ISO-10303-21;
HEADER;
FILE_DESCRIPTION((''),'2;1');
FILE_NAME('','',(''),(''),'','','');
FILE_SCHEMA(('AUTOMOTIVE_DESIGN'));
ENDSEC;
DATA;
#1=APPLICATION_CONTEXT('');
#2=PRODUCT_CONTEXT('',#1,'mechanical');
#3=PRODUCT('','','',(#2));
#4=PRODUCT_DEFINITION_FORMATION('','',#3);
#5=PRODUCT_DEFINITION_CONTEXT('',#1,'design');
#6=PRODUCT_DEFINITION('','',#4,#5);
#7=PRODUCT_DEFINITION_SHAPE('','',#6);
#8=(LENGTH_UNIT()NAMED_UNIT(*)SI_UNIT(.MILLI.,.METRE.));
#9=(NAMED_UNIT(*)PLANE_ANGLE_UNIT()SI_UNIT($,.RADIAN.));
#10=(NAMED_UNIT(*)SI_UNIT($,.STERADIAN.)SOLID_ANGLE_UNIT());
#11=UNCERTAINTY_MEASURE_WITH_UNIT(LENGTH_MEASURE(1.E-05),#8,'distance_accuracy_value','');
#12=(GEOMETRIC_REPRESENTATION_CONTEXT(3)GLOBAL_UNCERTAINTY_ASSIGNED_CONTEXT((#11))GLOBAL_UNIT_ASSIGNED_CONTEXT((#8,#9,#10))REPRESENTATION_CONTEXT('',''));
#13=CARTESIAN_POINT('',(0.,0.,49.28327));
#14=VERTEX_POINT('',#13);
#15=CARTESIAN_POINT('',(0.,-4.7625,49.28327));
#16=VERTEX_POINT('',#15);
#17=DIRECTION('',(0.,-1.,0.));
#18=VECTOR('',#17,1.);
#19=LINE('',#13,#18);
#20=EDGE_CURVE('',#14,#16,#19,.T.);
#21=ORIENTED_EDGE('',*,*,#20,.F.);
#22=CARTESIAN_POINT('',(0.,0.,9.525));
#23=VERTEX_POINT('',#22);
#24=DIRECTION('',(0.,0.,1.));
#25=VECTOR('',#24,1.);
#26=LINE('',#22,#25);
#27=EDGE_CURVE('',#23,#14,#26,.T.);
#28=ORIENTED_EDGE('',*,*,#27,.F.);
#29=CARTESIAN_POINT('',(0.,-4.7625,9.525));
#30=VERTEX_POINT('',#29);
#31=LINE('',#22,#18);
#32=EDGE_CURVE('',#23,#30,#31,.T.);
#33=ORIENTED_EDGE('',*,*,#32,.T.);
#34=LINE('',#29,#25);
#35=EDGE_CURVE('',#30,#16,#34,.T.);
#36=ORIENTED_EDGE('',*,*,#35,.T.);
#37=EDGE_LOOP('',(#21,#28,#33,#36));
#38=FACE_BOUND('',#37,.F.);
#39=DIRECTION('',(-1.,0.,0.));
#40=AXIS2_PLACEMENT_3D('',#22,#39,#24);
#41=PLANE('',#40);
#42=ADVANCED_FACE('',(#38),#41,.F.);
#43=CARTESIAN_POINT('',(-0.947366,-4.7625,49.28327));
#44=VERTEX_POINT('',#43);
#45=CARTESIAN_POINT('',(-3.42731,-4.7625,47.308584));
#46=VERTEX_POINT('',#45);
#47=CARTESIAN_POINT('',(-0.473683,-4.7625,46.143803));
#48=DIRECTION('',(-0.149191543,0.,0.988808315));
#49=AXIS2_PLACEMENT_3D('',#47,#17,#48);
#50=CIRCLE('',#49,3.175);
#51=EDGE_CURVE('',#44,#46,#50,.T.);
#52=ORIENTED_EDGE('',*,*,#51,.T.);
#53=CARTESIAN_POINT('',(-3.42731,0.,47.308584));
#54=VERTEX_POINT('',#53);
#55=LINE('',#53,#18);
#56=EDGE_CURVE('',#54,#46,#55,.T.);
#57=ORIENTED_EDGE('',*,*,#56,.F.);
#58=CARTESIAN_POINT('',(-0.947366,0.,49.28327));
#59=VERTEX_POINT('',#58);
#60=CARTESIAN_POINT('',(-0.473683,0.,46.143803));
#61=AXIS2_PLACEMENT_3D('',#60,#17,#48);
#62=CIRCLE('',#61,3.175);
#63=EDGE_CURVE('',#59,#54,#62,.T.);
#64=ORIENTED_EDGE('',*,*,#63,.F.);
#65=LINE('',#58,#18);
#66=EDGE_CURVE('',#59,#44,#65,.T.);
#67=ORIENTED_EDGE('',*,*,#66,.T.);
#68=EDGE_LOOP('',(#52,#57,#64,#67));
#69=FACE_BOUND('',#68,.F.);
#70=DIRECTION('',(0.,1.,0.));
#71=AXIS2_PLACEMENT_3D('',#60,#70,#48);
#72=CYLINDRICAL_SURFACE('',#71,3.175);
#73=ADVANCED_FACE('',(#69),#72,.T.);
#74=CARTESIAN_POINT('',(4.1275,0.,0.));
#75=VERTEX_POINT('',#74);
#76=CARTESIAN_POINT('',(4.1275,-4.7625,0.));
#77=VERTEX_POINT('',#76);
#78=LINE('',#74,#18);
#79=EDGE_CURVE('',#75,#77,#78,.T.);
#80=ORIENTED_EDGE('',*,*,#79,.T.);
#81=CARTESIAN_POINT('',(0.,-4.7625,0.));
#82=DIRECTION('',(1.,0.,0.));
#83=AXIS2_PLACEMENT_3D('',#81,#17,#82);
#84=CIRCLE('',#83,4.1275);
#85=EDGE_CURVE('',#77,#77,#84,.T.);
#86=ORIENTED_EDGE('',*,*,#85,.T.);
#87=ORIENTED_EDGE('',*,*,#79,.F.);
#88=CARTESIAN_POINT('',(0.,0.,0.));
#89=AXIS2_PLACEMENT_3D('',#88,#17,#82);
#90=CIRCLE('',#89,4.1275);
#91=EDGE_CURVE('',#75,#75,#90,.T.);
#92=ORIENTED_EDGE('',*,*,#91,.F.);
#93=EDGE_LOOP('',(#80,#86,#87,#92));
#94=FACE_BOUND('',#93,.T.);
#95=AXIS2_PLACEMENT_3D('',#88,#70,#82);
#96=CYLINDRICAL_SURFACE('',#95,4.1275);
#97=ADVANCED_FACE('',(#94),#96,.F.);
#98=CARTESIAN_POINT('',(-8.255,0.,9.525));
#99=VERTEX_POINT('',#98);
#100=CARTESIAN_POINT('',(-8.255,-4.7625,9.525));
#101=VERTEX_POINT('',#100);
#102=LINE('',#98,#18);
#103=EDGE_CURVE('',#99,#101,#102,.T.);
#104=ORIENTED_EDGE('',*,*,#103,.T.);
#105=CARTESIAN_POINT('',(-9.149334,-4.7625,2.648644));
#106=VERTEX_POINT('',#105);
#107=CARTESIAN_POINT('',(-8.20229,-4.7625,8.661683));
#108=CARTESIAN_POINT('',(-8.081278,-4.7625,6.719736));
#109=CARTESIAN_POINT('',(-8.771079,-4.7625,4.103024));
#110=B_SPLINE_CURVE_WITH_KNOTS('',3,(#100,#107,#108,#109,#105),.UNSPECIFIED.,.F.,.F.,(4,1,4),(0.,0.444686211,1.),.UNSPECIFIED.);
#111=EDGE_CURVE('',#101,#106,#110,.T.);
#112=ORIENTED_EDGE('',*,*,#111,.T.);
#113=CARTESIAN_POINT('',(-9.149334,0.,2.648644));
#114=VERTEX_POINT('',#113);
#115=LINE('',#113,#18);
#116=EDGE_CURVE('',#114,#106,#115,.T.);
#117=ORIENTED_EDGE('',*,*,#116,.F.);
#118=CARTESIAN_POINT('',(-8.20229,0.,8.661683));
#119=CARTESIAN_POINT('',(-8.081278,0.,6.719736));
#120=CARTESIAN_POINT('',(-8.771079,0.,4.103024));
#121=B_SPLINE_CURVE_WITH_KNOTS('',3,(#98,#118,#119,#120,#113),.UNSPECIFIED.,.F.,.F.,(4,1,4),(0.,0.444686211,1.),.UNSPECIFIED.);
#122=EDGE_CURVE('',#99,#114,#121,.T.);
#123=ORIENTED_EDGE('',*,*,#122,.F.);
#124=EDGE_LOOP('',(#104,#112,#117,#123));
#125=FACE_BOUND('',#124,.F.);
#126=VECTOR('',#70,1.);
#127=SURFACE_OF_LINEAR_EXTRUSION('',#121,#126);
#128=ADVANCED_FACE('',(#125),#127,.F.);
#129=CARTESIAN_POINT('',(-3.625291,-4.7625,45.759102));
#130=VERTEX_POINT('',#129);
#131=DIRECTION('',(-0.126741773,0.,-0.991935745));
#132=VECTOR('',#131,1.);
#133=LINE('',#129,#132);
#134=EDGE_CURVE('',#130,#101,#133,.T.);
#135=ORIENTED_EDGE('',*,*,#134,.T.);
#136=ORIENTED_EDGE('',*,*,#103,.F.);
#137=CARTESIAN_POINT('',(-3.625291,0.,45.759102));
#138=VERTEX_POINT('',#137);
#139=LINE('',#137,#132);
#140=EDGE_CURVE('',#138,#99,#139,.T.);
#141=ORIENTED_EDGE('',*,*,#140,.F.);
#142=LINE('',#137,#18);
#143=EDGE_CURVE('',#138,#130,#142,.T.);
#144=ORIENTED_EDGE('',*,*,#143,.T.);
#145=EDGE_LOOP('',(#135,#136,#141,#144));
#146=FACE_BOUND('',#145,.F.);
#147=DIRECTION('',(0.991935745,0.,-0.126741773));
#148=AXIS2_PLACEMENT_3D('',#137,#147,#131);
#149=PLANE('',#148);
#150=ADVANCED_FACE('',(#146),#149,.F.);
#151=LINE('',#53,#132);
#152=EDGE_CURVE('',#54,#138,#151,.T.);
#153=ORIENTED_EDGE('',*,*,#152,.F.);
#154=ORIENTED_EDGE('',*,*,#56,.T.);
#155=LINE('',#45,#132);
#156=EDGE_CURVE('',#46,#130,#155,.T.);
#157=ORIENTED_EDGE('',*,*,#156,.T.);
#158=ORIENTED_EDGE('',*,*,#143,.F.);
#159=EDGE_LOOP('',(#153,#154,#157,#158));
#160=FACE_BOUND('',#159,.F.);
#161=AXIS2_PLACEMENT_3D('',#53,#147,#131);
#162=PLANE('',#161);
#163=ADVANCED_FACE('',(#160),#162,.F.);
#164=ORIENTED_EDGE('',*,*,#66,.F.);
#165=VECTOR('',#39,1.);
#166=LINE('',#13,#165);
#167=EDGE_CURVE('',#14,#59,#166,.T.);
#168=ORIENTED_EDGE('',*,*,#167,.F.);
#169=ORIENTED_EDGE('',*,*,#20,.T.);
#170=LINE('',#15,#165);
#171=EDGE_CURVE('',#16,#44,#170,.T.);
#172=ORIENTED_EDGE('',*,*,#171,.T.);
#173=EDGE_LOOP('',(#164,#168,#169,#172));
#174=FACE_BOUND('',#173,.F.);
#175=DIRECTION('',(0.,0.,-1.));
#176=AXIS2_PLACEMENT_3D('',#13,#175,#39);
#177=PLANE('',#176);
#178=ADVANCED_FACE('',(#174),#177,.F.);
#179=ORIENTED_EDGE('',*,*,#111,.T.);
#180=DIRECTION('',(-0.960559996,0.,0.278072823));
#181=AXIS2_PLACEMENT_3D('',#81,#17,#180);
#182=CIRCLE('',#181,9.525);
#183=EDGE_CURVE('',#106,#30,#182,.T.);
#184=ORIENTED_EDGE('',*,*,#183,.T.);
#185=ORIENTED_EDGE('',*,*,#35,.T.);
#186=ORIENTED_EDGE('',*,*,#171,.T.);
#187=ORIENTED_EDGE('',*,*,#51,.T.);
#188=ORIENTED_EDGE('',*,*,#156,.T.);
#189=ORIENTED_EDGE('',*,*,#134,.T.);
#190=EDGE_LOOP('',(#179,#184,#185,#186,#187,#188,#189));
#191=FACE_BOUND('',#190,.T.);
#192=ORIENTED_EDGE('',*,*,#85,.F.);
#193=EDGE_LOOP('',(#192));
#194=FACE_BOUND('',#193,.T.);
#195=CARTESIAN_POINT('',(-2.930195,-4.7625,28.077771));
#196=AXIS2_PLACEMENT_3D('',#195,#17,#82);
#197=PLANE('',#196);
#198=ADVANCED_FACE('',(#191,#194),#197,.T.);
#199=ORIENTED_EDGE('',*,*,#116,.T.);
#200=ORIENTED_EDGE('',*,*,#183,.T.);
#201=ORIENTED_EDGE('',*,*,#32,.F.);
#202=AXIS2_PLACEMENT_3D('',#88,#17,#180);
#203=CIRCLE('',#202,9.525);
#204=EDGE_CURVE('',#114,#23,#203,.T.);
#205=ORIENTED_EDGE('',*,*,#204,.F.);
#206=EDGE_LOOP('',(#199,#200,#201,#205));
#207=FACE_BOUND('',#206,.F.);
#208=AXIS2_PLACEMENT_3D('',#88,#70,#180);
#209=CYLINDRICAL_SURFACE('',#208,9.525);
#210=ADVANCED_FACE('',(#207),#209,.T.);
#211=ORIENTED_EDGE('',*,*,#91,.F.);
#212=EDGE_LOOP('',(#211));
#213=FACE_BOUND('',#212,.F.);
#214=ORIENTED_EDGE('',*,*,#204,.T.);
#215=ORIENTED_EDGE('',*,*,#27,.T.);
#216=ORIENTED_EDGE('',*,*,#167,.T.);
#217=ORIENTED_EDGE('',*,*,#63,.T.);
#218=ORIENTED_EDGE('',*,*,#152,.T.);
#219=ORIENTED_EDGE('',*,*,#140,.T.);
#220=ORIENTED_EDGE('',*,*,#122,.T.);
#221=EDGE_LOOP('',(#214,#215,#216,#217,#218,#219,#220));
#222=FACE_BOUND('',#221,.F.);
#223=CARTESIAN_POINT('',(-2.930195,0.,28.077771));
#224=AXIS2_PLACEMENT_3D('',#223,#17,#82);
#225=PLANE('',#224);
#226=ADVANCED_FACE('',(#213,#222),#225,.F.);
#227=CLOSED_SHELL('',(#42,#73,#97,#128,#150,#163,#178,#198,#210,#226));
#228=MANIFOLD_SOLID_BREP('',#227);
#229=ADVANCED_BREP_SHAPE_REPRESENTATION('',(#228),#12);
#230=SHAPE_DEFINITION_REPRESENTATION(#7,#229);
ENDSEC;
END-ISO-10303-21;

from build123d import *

# Parameters (mm, degrees)
F0_R     = 4.1275
F1_DEPTH = 4.7625


with BuildPart() as f1:
    # F0 (on Front) → F1 (new body)
    with BuildSketch(Plane.XZ):
        with BuildLine():
            Line((-8.255, 9.525), (0, 9.525))
            Line((0, 9.525), (0, 49.2832697928))
            Line((0, 49.2832697928), (-0.9473663012, 49.2832697928))
            ThreePointArc((-0.9473663012, 49.2832697928), (-2.4514240238, 48.6275839873), (-3.4273098403, 47.3085842218))
            Line((-3.4273098403, 47.3085842218), (-3.6252905921, 45.7591015158))
            Line((-3.6252905921, 45.7591015158), (-8.255, 9.525))
        make_face()
        with BuildLine():
            ThreePointArc((-9.1493339582, 2.6486436382), (-1.3375759882, -9.4306158588), (9.525, 0))
            ThreePointArc((9.525, 0), (6.7351920908, 6.7351920908), (0, 9.525))
            ThreePointArc((0, 9.525), (-5.7226433729, 7.6142614761), (-9.1493339582, 2.6486436382))
        make_face()
        Circle(F0_R, mode=Mode.SUBTRACT)
        with BuildLine():
            ThreePointArc((-9.1493339582, 2.6486436382), (-5.7226433729, 7.6142614761), (0, 9.525))
            Line((0, 9.525), (-8.255, 9.525))
            add(Edge.make_bspline(
                [(-8.255, 9.525), (-8.2022898207, 8.6616830371), (-8.0812778962, 6.719736479), (-8.7710787742, 4.1030242901), (-9.1493339582, 2.6486436382)],
                knots=[0, 0, 0, 0, 0.4446862113, 1, 1, 1, 1], degree=3))
        make_face()
    extrude(amount=F1_DEPTH)


solid = f1.part
